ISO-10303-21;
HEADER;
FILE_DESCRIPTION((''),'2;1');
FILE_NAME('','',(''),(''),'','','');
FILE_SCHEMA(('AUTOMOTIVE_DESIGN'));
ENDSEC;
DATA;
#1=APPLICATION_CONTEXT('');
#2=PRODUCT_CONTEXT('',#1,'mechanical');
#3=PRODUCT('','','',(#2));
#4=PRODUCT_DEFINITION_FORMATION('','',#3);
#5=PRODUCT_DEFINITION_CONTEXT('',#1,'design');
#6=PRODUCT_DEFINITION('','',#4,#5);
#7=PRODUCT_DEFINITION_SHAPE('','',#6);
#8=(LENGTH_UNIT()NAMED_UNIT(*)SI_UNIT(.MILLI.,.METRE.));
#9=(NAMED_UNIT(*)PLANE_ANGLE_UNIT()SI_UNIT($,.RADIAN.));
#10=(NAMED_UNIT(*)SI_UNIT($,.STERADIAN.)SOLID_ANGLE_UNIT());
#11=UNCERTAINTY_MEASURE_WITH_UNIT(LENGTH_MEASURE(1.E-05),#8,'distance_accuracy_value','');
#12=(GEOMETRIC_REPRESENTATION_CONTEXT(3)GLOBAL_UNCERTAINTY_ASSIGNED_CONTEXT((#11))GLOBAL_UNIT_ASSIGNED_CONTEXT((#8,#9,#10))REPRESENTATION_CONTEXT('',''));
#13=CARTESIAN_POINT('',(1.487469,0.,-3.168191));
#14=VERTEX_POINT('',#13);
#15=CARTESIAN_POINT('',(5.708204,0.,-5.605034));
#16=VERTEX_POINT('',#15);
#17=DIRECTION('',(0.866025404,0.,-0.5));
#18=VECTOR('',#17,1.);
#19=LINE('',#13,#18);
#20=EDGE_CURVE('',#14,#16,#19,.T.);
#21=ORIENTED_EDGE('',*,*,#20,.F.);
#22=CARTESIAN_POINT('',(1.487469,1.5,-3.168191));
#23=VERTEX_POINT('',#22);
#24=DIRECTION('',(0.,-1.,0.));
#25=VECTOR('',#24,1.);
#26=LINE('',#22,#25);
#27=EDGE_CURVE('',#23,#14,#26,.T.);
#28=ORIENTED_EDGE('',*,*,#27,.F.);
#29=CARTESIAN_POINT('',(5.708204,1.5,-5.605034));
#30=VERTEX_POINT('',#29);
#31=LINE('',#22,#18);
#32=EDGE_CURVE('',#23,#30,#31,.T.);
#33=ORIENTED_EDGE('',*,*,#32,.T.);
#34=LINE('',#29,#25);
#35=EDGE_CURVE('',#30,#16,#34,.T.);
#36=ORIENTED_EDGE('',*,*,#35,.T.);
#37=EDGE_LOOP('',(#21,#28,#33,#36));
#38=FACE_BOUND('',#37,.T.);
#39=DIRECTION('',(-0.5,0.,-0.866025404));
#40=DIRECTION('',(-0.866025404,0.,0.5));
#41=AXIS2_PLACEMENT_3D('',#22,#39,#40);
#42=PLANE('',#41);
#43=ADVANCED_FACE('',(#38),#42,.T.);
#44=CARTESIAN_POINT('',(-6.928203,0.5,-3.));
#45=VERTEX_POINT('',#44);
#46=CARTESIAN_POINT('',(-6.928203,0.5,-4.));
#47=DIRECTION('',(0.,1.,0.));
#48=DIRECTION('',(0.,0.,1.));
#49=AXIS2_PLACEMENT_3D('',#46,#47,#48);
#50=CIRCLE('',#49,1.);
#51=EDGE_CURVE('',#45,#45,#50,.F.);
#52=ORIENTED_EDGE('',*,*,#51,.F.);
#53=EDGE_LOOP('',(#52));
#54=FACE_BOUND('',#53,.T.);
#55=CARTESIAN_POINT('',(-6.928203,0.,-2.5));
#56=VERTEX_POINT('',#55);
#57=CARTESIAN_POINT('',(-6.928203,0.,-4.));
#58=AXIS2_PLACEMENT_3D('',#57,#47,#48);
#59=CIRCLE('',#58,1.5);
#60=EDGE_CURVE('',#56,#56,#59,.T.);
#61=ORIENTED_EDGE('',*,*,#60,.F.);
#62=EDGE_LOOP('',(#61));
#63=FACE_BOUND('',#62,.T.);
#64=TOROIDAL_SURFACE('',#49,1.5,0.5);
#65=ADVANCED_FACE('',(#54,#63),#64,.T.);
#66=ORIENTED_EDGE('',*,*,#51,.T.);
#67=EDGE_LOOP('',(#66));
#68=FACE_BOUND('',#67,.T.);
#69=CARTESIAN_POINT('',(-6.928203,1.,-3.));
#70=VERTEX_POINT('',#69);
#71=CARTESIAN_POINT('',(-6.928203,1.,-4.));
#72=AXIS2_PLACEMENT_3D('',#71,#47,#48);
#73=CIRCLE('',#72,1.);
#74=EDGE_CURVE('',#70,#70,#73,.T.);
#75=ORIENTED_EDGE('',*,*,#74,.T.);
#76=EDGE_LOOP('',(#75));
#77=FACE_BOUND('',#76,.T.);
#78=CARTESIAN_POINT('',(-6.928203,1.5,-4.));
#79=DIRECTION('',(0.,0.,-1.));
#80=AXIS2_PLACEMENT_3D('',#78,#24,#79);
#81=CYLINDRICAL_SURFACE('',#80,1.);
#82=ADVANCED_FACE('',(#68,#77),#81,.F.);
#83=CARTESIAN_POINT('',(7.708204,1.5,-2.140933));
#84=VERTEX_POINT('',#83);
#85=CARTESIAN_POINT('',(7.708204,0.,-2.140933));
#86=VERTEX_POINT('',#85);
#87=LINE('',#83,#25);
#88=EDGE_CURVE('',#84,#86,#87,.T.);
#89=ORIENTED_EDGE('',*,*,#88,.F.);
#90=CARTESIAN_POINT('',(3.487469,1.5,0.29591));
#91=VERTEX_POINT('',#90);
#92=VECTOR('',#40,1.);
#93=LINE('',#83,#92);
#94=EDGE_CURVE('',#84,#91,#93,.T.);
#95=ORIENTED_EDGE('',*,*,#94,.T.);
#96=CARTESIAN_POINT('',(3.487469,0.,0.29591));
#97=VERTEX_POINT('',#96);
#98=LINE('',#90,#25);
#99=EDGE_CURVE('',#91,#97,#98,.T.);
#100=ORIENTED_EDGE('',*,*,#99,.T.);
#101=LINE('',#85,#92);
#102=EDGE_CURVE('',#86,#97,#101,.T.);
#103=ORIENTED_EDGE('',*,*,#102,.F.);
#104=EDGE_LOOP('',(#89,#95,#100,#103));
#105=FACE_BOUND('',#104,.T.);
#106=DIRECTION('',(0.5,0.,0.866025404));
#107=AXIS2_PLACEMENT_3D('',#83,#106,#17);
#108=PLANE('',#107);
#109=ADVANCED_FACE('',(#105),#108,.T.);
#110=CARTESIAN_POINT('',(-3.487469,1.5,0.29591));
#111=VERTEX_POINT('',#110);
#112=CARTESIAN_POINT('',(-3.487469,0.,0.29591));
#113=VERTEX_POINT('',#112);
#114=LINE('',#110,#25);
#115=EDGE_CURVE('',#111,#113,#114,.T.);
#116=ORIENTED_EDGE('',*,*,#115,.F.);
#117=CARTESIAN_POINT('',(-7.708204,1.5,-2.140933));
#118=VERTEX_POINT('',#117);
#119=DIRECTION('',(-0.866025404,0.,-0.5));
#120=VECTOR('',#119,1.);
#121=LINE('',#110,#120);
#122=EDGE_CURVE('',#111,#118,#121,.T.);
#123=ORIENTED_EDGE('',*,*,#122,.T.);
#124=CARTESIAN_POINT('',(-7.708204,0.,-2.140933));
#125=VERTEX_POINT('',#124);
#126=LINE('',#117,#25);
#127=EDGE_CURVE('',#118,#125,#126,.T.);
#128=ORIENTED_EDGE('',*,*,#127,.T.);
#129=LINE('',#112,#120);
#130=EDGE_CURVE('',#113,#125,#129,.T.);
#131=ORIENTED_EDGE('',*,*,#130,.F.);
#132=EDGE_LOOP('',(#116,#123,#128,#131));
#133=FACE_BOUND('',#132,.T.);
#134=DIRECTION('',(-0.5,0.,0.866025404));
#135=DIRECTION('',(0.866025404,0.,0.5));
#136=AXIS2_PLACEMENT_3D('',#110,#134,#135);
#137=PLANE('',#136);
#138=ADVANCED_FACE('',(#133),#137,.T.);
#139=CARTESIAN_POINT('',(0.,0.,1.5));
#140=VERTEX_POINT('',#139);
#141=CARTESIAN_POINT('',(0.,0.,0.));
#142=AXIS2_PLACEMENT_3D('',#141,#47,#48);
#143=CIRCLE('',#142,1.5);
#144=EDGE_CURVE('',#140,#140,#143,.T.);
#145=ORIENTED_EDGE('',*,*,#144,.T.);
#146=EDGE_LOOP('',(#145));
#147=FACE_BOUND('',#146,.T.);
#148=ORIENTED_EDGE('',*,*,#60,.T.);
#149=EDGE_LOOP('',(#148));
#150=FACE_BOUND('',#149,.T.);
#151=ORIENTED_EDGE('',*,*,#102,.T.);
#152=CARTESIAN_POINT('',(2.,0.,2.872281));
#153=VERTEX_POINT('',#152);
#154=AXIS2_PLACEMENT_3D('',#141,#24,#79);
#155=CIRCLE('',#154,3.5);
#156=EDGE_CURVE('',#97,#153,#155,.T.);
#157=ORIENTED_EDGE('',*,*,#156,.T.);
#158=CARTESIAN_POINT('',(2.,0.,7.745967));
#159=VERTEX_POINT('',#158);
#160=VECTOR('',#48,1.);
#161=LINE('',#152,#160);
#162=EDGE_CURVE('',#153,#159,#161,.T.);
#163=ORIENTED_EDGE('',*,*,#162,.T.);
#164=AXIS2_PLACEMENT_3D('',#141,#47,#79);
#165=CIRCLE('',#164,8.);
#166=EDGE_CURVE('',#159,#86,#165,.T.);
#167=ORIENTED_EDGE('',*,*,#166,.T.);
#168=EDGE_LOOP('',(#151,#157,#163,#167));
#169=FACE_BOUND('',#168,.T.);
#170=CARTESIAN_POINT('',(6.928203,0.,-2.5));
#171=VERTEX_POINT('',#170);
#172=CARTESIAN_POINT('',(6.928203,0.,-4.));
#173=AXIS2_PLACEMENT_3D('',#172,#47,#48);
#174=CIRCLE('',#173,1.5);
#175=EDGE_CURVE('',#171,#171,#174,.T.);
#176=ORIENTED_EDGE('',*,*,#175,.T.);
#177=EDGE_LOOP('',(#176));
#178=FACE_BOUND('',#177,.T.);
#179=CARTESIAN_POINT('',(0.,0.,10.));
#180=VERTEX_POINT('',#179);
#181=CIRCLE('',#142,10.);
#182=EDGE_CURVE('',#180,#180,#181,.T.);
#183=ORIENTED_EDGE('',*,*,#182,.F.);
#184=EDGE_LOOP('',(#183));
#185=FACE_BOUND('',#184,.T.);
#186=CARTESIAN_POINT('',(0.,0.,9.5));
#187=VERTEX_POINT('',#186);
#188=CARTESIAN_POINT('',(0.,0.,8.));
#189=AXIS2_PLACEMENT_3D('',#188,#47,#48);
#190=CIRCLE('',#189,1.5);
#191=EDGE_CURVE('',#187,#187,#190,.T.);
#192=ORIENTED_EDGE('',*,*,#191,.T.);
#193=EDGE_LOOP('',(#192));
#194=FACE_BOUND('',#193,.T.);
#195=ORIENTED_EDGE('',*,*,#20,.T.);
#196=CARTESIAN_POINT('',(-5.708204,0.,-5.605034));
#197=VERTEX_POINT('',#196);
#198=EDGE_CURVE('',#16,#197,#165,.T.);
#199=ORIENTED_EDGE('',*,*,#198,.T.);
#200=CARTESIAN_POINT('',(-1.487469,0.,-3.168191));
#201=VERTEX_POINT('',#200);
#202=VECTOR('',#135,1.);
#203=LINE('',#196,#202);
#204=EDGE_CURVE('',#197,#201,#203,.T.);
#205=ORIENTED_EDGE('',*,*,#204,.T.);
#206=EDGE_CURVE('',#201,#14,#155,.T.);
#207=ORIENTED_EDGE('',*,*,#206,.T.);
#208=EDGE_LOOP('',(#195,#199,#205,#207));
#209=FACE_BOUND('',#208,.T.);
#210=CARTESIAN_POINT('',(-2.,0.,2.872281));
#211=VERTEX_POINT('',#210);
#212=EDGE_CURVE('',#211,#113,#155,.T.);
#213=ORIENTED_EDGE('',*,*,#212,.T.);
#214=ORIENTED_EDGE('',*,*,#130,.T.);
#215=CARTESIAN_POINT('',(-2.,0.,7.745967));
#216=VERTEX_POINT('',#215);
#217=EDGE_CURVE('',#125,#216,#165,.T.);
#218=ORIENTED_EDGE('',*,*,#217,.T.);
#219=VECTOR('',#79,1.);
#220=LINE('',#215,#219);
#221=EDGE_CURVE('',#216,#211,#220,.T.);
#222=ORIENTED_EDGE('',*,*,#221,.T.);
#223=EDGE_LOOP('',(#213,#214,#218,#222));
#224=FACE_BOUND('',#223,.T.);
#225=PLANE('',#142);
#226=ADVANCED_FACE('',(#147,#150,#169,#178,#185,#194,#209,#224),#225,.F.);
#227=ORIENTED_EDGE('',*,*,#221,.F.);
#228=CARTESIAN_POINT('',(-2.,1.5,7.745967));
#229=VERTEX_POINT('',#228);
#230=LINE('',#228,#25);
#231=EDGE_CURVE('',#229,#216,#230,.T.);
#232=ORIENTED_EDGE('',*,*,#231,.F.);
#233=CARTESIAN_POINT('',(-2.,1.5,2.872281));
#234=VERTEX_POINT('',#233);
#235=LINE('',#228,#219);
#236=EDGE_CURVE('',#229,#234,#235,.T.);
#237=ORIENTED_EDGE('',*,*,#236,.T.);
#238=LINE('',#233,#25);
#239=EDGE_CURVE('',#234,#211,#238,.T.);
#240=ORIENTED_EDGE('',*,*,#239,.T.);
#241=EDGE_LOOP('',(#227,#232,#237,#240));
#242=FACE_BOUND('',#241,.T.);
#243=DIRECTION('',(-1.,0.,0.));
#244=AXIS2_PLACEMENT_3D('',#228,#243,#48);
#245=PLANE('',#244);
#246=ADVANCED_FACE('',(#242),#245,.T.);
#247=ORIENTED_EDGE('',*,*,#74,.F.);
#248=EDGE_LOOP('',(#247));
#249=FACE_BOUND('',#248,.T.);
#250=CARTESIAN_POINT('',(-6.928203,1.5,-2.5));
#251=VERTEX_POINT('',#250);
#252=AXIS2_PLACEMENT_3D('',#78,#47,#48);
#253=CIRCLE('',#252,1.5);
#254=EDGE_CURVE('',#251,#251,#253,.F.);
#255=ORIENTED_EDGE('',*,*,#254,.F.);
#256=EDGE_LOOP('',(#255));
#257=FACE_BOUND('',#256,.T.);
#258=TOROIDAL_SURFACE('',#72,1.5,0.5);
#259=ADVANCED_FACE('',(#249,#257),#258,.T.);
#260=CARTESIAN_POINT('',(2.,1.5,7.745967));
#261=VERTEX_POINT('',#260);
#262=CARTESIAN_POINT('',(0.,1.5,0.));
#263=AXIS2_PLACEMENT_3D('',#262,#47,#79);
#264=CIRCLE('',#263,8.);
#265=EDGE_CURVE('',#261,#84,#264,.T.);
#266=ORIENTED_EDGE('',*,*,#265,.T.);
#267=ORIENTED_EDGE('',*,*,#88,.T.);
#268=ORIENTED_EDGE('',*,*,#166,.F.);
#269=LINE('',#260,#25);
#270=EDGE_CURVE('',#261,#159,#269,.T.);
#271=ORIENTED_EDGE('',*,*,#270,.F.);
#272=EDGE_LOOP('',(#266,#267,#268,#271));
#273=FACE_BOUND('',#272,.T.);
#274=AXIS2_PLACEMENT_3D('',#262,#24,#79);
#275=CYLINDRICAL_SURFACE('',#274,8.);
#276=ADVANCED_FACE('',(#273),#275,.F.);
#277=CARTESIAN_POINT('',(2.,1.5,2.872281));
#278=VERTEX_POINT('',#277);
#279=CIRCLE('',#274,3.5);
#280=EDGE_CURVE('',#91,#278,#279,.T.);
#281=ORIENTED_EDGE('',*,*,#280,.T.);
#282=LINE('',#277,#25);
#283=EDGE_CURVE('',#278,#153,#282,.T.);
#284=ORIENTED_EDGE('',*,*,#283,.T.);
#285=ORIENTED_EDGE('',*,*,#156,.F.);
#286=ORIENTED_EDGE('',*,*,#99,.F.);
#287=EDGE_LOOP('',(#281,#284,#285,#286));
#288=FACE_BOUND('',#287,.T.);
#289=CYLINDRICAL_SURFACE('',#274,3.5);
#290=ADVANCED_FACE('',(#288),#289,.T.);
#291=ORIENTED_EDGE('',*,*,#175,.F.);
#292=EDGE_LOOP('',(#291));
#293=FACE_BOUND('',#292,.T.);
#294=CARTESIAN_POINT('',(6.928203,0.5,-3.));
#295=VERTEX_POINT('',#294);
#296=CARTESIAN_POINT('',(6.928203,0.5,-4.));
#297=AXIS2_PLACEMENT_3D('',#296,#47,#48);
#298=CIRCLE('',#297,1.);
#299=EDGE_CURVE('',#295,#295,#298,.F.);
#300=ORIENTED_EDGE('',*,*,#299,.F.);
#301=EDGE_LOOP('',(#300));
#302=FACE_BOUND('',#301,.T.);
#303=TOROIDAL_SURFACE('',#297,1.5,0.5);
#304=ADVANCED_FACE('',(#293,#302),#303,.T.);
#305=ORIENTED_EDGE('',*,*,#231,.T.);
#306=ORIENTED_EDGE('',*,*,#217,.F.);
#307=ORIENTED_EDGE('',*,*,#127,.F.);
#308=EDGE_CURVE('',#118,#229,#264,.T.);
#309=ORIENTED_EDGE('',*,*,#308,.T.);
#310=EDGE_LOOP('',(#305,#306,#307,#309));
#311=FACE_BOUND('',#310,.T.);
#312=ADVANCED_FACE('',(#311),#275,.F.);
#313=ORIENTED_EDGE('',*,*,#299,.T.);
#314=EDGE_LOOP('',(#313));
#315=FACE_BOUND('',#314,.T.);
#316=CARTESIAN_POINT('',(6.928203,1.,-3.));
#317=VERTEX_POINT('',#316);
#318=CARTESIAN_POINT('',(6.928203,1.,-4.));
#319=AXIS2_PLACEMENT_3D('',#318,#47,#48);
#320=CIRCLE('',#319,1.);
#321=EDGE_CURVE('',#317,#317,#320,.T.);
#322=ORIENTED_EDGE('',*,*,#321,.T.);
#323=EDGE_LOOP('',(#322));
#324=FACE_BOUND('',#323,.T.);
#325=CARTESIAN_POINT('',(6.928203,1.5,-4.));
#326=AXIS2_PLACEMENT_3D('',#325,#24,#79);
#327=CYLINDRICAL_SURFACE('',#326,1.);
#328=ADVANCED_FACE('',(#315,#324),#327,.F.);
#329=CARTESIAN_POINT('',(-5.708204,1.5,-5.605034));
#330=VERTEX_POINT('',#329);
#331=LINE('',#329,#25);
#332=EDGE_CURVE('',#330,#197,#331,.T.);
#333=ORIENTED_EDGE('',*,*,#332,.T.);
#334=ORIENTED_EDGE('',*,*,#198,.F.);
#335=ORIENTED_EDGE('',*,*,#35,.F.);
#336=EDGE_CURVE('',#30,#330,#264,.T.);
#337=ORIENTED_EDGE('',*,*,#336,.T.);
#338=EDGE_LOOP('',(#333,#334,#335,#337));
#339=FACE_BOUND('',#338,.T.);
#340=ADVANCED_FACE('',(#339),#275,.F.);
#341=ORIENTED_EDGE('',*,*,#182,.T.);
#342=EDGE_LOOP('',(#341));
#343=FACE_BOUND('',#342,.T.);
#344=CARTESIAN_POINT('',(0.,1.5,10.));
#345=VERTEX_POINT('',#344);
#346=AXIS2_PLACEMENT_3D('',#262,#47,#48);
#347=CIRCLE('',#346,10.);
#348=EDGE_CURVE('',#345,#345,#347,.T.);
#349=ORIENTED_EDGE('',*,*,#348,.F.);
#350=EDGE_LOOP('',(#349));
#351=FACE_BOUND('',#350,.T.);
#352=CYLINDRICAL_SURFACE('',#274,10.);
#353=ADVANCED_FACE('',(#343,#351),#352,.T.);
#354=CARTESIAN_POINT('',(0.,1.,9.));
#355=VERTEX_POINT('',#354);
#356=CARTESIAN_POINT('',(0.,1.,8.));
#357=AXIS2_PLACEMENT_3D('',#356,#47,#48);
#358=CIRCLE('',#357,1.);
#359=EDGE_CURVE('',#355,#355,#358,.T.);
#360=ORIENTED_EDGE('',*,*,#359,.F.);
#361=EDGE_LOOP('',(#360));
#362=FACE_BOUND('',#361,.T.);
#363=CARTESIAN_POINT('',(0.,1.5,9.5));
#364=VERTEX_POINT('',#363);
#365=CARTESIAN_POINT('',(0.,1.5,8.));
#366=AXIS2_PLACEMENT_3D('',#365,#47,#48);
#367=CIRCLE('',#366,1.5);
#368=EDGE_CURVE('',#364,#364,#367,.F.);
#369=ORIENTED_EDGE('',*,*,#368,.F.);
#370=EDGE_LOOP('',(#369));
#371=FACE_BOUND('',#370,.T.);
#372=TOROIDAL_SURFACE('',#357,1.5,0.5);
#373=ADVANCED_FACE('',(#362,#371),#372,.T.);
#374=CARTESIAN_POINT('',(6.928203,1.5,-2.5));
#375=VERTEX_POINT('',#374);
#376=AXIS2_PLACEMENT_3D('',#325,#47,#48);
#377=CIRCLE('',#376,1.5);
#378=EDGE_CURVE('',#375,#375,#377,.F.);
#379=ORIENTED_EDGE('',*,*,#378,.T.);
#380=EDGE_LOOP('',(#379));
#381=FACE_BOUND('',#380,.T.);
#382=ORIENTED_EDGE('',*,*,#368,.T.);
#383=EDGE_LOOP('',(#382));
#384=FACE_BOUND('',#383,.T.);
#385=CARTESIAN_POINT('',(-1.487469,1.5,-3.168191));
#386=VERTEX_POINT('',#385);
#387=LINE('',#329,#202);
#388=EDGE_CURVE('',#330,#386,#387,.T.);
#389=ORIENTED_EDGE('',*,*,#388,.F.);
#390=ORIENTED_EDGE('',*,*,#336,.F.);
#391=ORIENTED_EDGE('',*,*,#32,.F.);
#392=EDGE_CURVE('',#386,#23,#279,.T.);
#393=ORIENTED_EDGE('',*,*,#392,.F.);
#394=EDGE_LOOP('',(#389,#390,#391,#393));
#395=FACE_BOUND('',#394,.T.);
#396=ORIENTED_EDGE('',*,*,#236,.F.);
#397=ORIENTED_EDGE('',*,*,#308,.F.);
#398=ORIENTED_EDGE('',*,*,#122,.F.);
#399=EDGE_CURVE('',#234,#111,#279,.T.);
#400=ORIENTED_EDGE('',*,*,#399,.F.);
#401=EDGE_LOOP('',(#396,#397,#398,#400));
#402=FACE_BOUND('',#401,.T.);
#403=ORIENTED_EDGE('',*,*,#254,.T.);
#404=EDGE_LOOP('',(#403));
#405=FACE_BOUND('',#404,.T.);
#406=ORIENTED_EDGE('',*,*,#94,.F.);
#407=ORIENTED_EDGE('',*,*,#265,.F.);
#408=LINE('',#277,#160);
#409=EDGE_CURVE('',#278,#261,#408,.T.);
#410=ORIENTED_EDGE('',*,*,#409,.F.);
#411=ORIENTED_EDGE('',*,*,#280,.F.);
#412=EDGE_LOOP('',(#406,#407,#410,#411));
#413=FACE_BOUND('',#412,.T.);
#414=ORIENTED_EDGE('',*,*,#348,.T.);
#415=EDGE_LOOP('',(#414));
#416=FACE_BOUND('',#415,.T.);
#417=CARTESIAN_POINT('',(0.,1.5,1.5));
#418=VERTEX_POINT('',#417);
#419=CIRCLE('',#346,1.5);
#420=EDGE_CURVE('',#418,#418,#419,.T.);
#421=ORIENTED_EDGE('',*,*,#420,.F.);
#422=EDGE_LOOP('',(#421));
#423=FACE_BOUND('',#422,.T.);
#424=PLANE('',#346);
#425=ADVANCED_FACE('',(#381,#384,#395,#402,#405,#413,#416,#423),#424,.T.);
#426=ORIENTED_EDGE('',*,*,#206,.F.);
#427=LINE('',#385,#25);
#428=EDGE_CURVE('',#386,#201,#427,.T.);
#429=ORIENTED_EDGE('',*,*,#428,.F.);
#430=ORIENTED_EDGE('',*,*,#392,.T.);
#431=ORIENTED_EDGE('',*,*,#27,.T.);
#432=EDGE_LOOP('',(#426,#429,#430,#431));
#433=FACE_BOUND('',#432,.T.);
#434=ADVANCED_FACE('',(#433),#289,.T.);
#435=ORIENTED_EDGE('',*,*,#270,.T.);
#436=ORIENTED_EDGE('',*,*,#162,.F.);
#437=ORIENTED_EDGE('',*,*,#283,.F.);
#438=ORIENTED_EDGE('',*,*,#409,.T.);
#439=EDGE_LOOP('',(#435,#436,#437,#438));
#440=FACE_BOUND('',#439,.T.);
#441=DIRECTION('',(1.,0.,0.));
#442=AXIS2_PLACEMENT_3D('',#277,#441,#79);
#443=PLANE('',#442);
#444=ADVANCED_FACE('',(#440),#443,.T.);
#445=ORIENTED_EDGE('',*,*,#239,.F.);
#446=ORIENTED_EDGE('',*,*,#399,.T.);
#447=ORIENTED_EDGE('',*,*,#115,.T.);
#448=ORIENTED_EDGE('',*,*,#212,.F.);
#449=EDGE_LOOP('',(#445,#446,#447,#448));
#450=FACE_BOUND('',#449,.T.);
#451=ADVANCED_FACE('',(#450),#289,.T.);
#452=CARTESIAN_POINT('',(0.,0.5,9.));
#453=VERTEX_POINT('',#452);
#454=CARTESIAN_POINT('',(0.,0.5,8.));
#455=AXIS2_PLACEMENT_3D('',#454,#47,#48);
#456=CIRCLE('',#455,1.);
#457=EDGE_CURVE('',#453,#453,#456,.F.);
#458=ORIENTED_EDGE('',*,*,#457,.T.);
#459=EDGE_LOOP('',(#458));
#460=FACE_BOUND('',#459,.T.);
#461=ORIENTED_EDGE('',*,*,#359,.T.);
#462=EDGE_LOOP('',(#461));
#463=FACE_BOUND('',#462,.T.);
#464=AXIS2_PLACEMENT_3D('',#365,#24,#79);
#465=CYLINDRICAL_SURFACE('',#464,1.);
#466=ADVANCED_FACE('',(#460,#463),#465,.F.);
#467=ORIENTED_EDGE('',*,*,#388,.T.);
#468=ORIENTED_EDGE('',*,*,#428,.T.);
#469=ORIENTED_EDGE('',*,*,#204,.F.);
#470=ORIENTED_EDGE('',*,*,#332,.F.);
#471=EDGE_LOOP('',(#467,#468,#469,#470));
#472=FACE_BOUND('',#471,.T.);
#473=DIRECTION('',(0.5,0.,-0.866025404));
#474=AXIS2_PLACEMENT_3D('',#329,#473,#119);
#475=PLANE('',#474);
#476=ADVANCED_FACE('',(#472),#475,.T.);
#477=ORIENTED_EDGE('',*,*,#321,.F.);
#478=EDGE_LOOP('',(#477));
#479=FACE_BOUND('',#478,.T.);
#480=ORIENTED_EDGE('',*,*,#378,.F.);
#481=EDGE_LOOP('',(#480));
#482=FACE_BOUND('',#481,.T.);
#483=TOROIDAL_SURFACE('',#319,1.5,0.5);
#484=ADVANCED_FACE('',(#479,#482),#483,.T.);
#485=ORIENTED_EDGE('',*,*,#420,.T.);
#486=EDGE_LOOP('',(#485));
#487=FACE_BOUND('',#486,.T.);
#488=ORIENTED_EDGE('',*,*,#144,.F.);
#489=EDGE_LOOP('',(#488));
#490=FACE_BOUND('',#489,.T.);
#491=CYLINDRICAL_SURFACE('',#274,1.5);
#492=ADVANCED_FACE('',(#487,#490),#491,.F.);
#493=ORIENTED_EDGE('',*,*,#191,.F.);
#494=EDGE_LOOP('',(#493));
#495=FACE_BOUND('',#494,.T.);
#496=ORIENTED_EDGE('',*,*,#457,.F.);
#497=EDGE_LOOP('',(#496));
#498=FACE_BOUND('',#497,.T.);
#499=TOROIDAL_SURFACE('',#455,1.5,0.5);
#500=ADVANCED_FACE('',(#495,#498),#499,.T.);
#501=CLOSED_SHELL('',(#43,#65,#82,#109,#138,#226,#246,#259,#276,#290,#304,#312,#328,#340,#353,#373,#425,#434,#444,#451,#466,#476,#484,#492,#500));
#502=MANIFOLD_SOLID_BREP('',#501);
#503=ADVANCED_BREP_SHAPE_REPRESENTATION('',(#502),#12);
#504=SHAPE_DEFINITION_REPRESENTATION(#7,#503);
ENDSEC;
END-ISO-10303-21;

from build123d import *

# Parameters (mm, degrees)
SKETCH1_R           = 10
SKETCH1_R_2         = 1.5
SKETCH1_R_3         = 1
BOSS_EXTRUDE1_DEPTH = 1.5
FILLET1_R           = 0.5


with BuildPart() as part:
    # Sketch1 → Boss-Extrude1 (new body)
    with BuildSketch(Plane(origin=(0, 0, 0), x_dir=(1, 0, 0), z_dir=(0, 1, 0))):
        with Locations(Location((0, 0, 0), (0, 0, 270))):
            Circle(SKETCH1_R)
        with Locations(Location((0, 0, 0), (0, 0, 270))):
            Circle(SKETCH1_R_2, mode=Mode.SUBTRACT)
        with Locations(Location((-6.92820323, 4, 0), (0, 0, 270))):
            Circle(SKETCH1_R_3, mode=Mode.SUBTRACT)
        with Locations(Location((6.92820323, 4, 0), (0, 0, 270))):
            Circle(SKETCH1_R_3, mode=Mode.SUBTRACT)
        with Locations(Location((0, -8, 0), (0, 0, 270))):
            Circle(SKETCH1_R_3, mode=Mode.SUBTRACT)
        with BuildLine():
            Line((-5.708203932, 5.605034154), (-1.487468593, 3.168191469))
            ThreePointArc((-1.487468593, 3.168191469), (0, 3.5), (1.487468593, 3.168191469))
            Line((1.487468593, 3.168191469), (5.708203932, 5.605034154))
            ThreePointArc((5.708203932, 5.605034154), (0, 8), (-5.708203932, 5.605034154))
        make_face(mode=Mode.SUBTRACT)
        with BuildLine():
            Line((2, -2.872281323), (2, -7.745966692))
            ThreePointArc((2, -7.745966692), (6.92820323, -4), (7.708203932, 2.140932539))
            Line((7.708203932, 2.140932539), (3.487468593, -0.295910146))
            ThreePointArc((3.487468593, -0.295910146), (3.031088913, -1.75), (2, -2.872281323))
        make_face(mode=Mode.SUBTRACT)
        with BuildLine():
            Line((-3.487468593, -0.295910146), (-7.708203932, 2.140932539))
            ThreePointArc((-7.708203932, 2.140932539), (-6.92820323, -4), (-2, -7.745966692))
            Line((-2, -7.745966692), (-2, -2.872281323))
            ThreePointArc((-2, -2.872281323), (-3.031088913, -1.75), (-3.487468593, -0.295910146))
        make_face(mode=Mode.SUBTRACT)
    extrude(amount=BOSS_EXTRUDE1_DEPTH)

    # Fillet1
    fillet1_edges = [part.edges().sort_by_distance(p)[0] for p in [
        (6.92820323, 0, -5),
        (6.92820323, 1.5, -5),
        (0, 0, 7),
        (0, 1.5, 7),
        (-6.92820323, 0, -5),
        (-6.92820323, 1.5, -5),
    ]]
    fillet(fillet1_edges, radius=FILLET1_R)


solid = part.part
